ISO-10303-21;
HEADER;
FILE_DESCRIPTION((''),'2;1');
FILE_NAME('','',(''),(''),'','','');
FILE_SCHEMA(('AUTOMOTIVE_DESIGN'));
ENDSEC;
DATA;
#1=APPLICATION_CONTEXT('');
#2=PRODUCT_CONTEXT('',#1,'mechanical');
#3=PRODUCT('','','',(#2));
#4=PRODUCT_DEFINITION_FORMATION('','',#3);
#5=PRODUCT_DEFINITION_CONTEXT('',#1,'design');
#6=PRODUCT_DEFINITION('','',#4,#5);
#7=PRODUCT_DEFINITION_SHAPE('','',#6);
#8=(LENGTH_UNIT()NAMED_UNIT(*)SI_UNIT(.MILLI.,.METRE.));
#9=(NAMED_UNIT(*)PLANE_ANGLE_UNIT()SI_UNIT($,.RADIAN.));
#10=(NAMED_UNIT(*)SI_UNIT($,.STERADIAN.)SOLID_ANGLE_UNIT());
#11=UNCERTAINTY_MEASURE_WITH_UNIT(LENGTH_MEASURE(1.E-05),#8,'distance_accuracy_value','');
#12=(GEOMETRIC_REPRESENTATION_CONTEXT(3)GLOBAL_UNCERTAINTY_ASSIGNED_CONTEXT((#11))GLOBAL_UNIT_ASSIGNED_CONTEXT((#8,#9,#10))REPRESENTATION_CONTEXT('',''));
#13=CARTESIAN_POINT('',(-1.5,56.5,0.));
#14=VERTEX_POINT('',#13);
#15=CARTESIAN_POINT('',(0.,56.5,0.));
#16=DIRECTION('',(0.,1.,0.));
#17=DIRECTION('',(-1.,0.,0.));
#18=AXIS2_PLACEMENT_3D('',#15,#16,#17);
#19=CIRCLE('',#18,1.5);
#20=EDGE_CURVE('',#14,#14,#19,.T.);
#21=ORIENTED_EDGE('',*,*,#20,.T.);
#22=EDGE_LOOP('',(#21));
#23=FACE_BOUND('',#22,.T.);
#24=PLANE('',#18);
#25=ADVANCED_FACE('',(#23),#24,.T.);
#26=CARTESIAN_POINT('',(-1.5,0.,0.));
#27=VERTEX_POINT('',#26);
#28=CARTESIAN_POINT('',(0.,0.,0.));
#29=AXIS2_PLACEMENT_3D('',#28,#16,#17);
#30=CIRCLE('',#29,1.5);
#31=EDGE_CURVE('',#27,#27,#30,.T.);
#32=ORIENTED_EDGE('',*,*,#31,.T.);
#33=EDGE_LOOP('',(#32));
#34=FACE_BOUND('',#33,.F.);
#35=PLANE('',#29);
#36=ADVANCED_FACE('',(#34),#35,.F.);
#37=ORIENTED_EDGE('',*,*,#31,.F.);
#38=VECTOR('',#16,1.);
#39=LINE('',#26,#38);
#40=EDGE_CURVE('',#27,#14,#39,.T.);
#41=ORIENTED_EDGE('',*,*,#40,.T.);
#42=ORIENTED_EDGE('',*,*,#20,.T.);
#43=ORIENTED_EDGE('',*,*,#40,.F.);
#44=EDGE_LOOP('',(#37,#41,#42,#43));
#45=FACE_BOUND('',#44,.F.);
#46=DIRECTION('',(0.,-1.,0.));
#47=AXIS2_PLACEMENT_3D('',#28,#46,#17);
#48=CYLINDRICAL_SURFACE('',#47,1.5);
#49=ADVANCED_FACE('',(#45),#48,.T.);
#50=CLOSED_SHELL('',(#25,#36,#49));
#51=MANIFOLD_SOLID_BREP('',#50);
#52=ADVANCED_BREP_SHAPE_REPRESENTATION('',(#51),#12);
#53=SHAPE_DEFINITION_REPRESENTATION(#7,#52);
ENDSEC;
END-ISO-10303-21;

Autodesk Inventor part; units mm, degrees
ref_plane "YZ Plane" through (0, 0, 0) normal (1, 0, 0) x (0, 1, 0)
ref_plane "XZ Plane" through (0, 0, 0) normal (0, 1, 0) x (-1, 0, 0)
ref_plane "XY Plane" through (0, 0, 0) normal (0, 0, 1) x (1, 0, 0)
sketch "Sketch1" plane through (0, 0, 0) normal (0, 1, 0) x (-1, 0, 0)
  circle A0 centre (0, 0) radius 1.5
  dimension "d0" = 3
extrude "Extrusion1" add sketch "Sketch1" along normal blind 56.5
properties part number "M3 Pivot Rod"
